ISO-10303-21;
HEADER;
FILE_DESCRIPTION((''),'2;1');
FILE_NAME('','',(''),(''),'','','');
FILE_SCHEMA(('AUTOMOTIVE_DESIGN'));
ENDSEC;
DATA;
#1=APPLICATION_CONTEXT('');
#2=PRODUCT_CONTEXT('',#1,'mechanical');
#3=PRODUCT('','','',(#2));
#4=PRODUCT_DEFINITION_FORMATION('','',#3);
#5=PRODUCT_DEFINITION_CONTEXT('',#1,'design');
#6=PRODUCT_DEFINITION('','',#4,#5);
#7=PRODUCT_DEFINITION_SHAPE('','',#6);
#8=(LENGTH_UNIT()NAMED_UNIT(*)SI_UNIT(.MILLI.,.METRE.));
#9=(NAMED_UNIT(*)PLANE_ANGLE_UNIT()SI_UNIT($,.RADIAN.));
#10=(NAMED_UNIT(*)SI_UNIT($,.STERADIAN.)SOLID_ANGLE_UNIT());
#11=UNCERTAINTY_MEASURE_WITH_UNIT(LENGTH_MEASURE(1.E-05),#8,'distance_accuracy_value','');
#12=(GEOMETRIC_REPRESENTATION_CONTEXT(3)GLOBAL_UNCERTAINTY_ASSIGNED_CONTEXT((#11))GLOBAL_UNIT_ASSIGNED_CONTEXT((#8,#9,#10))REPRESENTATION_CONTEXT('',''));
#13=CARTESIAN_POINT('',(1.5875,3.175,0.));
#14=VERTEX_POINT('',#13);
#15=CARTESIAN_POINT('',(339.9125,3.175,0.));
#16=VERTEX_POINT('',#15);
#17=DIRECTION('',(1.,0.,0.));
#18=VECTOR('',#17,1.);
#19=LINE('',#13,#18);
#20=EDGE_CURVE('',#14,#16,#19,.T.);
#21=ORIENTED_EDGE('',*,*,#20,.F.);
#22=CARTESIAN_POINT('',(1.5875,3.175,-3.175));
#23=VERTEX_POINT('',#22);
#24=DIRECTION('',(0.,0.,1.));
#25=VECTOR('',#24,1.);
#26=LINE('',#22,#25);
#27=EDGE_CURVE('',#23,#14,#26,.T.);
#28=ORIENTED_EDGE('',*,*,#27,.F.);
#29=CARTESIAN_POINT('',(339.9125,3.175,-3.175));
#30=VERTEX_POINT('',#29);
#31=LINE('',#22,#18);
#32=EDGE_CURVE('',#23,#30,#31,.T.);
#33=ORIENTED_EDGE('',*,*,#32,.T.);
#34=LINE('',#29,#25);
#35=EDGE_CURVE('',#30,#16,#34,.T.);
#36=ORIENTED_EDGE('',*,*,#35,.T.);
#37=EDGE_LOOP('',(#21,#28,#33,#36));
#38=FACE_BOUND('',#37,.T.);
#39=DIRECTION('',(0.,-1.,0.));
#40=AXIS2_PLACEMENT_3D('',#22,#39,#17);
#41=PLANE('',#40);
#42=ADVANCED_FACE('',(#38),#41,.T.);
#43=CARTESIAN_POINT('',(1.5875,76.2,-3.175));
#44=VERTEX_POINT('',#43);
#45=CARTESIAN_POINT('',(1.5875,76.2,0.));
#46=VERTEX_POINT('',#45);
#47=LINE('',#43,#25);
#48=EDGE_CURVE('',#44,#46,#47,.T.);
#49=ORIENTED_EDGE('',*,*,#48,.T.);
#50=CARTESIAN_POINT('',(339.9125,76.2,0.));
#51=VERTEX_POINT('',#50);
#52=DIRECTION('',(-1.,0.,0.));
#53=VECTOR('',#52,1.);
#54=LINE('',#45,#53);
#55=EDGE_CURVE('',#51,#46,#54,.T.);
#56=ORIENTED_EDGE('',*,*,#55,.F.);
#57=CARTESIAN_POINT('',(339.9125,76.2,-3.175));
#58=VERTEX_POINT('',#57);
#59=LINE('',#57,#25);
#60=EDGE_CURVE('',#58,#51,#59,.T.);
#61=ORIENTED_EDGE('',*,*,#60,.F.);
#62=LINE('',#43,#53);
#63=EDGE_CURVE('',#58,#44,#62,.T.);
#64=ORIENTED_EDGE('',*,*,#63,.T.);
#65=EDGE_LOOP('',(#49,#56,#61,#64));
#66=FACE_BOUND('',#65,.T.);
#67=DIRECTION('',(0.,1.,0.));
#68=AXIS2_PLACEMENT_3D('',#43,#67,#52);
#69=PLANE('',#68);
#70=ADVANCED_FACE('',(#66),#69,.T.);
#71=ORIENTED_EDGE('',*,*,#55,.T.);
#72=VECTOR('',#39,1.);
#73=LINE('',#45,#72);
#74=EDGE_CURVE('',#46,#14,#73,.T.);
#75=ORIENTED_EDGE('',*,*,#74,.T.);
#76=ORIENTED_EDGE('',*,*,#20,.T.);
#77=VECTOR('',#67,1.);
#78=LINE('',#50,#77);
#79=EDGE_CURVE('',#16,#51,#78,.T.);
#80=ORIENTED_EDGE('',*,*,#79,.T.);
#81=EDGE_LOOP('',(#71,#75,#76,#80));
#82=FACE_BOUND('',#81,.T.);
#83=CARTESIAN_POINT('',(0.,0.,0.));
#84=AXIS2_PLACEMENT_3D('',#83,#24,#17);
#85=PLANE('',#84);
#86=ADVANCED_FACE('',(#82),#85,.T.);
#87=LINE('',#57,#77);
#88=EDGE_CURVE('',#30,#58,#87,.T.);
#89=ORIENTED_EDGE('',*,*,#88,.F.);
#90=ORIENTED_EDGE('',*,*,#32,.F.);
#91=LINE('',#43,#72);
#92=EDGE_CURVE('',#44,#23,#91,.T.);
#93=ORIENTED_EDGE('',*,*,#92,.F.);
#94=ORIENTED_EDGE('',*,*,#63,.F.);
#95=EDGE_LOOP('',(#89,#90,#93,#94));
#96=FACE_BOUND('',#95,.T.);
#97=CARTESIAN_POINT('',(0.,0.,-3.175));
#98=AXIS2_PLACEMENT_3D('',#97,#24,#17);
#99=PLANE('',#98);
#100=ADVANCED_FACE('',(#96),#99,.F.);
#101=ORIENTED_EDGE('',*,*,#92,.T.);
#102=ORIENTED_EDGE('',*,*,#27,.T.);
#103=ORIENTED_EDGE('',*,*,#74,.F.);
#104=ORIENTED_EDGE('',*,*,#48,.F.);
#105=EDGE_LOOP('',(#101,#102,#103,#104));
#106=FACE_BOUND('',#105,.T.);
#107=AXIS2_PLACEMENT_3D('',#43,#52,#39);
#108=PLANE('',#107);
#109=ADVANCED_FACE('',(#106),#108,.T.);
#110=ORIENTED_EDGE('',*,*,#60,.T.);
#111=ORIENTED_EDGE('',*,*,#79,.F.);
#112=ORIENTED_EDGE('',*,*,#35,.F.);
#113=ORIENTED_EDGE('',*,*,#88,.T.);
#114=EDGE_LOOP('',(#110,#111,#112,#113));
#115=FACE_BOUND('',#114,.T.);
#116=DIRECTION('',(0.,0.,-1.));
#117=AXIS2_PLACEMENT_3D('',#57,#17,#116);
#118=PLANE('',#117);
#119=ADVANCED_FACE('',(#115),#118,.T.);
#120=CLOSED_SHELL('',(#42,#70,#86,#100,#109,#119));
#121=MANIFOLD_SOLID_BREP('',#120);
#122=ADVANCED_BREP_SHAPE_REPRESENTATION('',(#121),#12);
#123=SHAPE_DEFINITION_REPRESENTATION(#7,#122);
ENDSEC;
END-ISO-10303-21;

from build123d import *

# Parameters (mm, degrees)
SKETCH1_W           = 338.325
SKETCH1_H           = 73.025
BOSS_EXTRUDE1_DEPTH = 3.175


with BuildPart() as part:
    # Sketch1 → Boss-Extrude1 (new body)
    with BuildSketch(Plane.XY):
        with Locations((170.75, 39.6875)):
            Rectangle(SKETCH1_W, SKETCH1_H)
    extrude(amount=-BOSS_EXTRUDE1_DEPTH)


solid = part.part
